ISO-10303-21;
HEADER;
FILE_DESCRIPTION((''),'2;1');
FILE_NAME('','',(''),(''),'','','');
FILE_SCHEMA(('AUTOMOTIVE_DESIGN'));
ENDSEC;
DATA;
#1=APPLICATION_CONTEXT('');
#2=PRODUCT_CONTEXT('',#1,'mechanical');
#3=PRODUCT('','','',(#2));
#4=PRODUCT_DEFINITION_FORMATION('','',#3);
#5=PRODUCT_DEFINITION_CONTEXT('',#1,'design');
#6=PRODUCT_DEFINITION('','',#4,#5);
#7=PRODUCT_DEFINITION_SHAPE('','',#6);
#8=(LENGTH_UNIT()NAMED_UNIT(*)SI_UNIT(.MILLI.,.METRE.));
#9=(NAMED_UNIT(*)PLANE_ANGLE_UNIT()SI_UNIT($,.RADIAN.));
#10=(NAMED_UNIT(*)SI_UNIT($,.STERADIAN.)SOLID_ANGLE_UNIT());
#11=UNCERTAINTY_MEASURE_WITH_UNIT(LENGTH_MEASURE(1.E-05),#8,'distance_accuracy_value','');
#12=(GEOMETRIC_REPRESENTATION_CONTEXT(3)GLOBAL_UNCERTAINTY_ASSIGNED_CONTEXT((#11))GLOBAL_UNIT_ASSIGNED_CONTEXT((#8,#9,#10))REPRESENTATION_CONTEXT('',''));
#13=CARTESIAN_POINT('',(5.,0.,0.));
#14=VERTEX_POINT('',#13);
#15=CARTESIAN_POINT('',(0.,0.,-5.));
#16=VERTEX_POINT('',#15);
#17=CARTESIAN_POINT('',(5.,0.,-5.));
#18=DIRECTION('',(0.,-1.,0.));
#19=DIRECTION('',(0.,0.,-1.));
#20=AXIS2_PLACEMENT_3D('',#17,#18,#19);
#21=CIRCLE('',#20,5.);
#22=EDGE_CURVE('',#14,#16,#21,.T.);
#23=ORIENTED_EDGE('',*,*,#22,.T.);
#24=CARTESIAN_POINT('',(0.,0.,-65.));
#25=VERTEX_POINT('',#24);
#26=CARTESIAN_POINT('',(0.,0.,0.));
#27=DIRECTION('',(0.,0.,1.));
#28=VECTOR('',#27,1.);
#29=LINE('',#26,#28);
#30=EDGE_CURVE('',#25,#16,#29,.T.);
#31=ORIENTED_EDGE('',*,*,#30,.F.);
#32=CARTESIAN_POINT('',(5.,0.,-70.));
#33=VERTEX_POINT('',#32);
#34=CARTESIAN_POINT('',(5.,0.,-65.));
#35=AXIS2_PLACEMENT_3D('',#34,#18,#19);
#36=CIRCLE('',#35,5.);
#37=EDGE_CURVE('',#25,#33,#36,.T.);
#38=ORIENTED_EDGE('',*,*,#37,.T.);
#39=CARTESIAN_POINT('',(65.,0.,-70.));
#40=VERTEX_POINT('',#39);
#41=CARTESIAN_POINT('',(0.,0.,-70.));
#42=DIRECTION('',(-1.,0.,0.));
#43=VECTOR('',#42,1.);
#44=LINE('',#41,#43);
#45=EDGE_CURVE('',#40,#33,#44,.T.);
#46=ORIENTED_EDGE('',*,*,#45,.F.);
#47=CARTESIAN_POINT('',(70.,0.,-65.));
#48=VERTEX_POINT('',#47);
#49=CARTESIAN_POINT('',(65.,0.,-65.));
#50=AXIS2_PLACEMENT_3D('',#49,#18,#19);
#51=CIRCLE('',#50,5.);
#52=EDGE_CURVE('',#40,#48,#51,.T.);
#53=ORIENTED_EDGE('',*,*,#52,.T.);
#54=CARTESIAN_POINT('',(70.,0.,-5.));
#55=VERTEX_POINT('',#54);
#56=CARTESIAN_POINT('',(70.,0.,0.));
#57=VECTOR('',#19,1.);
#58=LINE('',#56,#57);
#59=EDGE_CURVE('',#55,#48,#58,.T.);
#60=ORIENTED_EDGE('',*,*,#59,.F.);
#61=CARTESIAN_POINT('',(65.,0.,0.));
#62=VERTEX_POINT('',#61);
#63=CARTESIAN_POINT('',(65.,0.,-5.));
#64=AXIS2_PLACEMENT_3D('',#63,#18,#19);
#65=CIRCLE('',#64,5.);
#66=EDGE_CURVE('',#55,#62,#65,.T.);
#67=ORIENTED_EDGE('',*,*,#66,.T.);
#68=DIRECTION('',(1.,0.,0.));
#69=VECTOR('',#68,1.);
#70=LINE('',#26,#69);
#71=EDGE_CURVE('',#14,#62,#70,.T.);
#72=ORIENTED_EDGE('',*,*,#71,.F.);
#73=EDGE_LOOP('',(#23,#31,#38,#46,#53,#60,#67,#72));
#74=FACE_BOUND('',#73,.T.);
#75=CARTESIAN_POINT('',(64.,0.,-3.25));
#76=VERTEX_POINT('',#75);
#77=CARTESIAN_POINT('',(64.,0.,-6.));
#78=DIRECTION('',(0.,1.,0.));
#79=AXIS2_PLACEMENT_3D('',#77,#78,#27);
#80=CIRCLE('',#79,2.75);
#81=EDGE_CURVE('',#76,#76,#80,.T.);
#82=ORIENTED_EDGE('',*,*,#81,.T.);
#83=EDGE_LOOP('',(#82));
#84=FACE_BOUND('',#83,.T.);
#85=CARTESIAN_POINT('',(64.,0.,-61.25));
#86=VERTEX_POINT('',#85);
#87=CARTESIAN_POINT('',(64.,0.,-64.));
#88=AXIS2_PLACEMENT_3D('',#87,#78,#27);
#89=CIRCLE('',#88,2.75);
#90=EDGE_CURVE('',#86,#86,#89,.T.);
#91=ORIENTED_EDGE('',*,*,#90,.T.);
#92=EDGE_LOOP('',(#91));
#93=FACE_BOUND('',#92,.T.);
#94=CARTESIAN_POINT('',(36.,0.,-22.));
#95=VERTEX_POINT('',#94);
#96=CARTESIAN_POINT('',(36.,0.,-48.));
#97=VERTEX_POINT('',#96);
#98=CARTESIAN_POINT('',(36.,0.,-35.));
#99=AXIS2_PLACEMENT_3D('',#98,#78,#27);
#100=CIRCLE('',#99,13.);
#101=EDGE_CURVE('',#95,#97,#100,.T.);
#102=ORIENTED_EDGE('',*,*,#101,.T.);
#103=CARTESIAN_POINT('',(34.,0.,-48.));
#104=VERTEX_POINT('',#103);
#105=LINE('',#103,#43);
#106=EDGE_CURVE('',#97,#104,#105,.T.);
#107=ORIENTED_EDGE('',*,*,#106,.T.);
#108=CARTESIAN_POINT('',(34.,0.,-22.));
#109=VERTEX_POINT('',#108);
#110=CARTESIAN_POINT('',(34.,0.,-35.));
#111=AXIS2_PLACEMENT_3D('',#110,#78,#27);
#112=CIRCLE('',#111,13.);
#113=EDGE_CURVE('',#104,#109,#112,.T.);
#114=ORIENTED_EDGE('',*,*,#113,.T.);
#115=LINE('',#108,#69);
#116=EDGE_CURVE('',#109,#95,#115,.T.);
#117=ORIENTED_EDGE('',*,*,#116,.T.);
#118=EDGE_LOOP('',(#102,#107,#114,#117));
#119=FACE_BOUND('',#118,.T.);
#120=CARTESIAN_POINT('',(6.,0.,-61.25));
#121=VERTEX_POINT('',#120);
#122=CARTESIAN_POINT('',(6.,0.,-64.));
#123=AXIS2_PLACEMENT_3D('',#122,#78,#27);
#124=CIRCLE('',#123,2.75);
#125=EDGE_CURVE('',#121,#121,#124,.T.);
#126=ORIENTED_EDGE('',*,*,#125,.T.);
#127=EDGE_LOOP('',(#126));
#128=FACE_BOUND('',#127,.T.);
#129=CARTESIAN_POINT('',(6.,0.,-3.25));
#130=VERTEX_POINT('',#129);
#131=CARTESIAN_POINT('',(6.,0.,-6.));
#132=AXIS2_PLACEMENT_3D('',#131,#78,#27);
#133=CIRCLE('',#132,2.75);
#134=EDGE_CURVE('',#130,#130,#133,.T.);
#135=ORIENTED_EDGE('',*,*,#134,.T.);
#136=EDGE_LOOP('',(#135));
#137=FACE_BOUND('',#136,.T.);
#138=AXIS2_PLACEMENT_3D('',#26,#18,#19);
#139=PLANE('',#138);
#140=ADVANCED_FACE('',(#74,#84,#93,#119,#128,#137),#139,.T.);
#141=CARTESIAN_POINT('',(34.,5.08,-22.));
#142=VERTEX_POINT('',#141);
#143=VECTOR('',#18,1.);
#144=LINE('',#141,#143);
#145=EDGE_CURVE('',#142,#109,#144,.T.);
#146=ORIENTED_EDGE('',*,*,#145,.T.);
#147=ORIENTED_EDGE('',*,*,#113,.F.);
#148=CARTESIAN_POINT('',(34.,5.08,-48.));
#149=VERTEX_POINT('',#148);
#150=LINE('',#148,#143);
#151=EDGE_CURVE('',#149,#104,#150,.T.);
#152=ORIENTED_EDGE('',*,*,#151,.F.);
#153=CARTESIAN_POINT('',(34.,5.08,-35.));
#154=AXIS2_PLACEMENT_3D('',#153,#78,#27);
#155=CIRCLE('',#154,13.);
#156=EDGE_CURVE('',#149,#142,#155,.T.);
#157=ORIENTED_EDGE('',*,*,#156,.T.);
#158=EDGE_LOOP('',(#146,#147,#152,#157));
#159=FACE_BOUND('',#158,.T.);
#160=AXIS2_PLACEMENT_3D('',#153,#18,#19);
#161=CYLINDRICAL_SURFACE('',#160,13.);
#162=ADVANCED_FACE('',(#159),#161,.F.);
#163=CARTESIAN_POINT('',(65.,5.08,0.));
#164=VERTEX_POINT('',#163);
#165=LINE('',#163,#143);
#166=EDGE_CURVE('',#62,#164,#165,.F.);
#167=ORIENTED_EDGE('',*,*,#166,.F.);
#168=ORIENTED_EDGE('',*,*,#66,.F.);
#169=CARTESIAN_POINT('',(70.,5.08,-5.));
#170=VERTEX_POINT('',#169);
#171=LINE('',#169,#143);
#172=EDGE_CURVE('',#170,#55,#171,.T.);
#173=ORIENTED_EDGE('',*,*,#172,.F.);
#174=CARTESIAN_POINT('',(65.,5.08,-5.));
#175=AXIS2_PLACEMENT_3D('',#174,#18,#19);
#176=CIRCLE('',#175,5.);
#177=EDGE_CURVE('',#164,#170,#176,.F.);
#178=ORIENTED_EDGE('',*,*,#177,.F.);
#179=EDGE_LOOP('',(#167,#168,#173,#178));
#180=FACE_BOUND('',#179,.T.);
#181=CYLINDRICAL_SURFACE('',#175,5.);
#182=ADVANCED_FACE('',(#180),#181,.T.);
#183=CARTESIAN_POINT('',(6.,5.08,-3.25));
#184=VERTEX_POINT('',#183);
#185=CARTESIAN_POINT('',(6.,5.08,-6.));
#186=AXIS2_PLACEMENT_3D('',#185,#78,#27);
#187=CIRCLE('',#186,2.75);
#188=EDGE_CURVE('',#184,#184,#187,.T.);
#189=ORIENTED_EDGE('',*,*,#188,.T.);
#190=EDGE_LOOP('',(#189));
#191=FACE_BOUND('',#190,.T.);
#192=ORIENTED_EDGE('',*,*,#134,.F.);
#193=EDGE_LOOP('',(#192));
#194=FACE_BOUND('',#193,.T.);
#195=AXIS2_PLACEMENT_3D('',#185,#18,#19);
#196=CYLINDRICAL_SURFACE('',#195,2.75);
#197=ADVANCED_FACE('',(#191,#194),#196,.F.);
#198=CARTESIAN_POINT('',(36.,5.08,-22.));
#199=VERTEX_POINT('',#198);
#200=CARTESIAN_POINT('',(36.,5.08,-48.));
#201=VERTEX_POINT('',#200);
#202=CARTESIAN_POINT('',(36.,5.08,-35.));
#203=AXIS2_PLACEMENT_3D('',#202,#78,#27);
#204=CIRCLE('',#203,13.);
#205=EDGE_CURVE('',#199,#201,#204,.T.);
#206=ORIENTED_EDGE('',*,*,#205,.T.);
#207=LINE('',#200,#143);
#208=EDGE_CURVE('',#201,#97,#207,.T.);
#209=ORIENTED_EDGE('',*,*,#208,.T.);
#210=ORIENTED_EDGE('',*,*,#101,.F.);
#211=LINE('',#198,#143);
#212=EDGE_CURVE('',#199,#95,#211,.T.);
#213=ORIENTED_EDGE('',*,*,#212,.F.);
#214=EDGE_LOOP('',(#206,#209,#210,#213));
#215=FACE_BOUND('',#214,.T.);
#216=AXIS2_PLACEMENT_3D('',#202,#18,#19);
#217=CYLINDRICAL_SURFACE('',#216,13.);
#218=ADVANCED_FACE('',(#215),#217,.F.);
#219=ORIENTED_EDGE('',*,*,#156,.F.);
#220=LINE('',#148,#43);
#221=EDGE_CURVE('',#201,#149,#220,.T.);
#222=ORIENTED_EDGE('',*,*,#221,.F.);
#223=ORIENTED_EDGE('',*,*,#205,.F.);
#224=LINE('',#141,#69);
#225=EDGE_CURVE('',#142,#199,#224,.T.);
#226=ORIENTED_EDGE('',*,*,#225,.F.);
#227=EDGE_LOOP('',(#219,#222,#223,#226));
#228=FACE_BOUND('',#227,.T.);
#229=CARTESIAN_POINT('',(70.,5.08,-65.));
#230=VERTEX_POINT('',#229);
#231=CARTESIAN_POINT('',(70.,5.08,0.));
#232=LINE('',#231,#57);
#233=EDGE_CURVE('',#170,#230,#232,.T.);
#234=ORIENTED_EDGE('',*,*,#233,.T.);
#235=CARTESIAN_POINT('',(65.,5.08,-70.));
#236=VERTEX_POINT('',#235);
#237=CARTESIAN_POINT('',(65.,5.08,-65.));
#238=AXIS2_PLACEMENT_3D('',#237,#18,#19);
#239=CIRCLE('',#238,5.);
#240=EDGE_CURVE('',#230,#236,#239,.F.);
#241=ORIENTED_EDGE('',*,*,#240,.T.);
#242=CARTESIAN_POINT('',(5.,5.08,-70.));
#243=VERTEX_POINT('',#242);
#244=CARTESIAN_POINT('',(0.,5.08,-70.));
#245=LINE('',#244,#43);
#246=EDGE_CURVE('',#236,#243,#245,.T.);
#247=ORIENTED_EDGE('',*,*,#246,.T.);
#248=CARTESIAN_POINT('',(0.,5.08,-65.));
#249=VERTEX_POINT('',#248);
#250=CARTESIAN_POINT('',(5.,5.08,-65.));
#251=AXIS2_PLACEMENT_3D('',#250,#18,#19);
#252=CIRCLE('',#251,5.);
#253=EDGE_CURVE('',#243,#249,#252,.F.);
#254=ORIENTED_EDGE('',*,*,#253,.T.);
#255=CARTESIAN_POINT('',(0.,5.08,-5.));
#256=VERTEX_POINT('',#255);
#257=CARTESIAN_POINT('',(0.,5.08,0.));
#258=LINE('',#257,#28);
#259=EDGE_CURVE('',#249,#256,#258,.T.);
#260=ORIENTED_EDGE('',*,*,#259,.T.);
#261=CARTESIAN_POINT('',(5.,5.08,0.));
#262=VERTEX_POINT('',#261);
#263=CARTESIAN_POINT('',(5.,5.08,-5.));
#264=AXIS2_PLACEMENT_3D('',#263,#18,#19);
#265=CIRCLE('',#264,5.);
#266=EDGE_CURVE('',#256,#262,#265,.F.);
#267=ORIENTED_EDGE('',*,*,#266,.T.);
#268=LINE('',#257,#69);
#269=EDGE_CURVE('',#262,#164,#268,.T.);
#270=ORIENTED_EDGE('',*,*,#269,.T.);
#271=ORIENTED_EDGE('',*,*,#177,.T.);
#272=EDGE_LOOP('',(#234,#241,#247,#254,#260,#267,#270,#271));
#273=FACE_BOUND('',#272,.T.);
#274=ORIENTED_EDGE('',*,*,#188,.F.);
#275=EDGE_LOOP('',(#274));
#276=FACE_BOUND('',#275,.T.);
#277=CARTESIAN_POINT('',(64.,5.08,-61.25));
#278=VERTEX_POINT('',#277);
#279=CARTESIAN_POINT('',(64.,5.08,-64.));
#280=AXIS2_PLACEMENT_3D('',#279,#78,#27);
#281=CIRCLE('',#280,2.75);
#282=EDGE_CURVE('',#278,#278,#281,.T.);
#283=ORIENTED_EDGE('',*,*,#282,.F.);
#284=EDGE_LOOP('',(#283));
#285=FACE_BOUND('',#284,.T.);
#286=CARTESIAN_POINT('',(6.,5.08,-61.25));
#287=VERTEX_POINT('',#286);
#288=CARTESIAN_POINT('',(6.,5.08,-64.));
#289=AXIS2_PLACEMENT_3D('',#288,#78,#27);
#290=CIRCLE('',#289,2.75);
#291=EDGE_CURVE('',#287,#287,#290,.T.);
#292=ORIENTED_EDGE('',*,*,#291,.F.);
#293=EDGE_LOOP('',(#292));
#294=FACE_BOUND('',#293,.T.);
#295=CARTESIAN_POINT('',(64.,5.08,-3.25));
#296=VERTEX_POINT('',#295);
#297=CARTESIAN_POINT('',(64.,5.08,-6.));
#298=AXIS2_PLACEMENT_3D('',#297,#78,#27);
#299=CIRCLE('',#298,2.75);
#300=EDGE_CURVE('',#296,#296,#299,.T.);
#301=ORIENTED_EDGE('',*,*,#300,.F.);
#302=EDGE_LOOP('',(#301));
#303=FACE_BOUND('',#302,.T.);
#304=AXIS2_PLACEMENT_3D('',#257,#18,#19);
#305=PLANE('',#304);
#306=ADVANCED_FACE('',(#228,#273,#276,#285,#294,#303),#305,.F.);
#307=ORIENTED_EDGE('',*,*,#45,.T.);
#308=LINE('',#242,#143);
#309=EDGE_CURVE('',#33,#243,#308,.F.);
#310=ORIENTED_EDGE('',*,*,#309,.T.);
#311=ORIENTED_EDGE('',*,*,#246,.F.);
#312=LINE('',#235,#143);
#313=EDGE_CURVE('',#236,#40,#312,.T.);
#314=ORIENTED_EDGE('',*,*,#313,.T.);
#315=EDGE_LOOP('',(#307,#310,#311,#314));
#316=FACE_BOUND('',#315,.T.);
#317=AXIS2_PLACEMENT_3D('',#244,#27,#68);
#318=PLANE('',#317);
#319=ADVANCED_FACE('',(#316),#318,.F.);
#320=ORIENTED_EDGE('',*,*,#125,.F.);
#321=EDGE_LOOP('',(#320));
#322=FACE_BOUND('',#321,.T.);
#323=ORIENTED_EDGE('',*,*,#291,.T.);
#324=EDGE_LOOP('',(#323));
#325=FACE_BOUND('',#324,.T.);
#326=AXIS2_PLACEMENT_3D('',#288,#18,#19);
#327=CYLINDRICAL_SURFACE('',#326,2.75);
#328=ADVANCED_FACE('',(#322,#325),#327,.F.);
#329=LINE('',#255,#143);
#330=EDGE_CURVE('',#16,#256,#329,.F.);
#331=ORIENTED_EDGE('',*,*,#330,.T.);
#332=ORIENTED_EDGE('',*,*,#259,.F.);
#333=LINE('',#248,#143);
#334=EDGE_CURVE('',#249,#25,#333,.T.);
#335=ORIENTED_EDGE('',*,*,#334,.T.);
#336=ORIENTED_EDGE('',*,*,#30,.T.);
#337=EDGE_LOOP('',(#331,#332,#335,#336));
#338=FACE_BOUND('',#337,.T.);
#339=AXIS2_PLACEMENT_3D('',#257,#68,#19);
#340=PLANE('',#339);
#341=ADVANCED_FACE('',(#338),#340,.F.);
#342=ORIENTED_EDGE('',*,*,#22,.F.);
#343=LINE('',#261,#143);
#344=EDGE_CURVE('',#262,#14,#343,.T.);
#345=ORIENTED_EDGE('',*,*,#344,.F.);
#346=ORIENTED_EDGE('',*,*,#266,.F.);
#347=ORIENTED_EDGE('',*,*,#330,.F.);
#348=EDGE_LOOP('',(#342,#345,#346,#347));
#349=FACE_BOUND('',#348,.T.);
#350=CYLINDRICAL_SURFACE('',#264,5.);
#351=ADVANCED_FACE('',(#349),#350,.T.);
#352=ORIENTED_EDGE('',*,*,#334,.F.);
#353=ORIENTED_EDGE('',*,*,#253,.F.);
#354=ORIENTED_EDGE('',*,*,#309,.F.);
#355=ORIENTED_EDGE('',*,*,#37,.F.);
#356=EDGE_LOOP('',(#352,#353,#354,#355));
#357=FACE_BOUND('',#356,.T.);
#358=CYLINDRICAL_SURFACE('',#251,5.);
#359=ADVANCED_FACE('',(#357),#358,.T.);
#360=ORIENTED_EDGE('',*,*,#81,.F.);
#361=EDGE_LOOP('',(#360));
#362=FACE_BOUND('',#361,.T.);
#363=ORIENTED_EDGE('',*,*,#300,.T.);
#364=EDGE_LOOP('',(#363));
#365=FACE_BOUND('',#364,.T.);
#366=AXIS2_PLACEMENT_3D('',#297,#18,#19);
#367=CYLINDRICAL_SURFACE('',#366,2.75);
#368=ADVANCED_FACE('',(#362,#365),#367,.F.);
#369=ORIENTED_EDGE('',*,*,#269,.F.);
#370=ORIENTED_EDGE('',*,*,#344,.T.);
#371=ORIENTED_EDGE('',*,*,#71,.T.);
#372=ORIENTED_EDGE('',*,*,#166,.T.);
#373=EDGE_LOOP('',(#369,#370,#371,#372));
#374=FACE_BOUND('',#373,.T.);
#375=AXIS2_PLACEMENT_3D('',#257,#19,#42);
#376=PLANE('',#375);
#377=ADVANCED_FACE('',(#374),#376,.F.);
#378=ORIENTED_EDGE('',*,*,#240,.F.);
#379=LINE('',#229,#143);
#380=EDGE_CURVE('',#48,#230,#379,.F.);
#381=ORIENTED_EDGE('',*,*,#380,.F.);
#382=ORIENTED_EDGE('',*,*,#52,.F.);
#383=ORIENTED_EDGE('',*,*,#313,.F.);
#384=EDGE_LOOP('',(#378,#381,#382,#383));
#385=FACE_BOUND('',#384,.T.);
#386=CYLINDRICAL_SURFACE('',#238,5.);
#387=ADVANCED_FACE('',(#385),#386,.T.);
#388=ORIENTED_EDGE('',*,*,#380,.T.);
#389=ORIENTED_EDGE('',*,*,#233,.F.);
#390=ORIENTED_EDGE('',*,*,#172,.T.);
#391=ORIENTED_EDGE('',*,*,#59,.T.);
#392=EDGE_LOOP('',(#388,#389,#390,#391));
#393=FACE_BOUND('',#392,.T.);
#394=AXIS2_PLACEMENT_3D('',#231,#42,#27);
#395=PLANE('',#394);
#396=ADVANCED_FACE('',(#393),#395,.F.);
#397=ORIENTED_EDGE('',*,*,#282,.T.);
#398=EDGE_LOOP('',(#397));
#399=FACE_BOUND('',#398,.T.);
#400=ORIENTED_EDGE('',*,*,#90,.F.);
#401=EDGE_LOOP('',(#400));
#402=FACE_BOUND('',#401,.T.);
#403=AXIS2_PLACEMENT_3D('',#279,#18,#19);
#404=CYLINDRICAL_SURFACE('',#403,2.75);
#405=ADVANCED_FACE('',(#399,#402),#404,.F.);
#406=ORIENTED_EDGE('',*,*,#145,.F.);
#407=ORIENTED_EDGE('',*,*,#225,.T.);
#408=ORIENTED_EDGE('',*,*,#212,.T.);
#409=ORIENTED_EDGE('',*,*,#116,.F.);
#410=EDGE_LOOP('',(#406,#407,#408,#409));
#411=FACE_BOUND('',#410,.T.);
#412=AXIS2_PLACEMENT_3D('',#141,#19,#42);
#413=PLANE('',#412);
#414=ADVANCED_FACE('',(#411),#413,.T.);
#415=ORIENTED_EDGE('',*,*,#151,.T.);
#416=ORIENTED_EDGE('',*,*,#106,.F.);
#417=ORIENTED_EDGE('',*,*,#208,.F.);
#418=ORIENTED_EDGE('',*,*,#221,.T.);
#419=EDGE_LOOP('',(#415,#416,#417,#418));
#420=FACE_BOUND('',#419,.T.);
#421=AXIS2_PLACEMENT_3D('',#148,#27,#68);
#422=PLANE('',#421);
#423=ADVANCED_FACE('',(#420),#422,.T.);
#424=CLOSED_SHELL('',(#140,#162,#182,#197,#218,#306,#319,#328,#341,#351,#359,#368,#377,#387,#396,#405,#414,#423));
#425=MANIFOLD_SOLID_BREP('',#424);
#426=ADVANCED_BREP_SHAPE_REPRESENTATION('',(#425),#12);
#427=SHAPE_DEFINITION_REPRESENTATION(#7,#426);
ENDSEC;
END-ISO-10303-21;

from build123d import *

# Parameters (mm, degrees)
SKETCH1_W           = 70
SKETCH1_H           = 70
SKETCH1_R           = 2.75
BOSS_EXTRUDE1_DEPTH = 5.08
FILLET1_R           = 5


with BuildPart() as part:
    # Sketch1 → Boss-Extrude1 (new body)
    with BuildSketch(Plane(origin=(0, 0, 0), x_dir=(1, 0, 0), z_dir=(0, 1, 0))):
        with Locations((35, 35)):
            Rectangle(SKETCH1_W, SKETCH1_H)
        with Locations(Location((6, 64, 0), (0, 0, 270))):
            Circle(SKETCH1_R, mode=Mode.SUBTRACT)
        with Locations(Location((64, 64, 0), (0, 0, 270))):
            Circle(SKETCH1_R, mode=Mode.SUBTRACT)
        with Locations(Location((64, 6, 0), (0, 0, 270))):
            Circle(SKETCH1_R, mode=Mode.SUBTRACT)
        with Locations(Location((6, 6, 0), (0, 0, 270))):
            Circle(SKETCH1_R, mode=Mode.SUBTRACT)
        with BuildLine():
            Line((34, 48), (36, 48))
            ThreePointArc((36, 48), (49, 35), (36, 22))
            Line((36, 22), (34, 22))
            ThreePointArc((34, 22), (21, 35), (34, 48))
        make_face(mode=Mode.SUBTRACT)
    extrude(amount=BOSS_EXTRUDE1_DEPTH)

    # Fillet1
    fillet1_edges = [part.edges().sort_by_distance(p)[0] for p in [
        (0, 2.54, -70),
        (70, 2.54, -70),
        (70, 2.54, 0),
        (0, 2.54, 0),
    ]]
    fillet(fillet1_edges, radius=FILLET1_R)


solid = part.part
